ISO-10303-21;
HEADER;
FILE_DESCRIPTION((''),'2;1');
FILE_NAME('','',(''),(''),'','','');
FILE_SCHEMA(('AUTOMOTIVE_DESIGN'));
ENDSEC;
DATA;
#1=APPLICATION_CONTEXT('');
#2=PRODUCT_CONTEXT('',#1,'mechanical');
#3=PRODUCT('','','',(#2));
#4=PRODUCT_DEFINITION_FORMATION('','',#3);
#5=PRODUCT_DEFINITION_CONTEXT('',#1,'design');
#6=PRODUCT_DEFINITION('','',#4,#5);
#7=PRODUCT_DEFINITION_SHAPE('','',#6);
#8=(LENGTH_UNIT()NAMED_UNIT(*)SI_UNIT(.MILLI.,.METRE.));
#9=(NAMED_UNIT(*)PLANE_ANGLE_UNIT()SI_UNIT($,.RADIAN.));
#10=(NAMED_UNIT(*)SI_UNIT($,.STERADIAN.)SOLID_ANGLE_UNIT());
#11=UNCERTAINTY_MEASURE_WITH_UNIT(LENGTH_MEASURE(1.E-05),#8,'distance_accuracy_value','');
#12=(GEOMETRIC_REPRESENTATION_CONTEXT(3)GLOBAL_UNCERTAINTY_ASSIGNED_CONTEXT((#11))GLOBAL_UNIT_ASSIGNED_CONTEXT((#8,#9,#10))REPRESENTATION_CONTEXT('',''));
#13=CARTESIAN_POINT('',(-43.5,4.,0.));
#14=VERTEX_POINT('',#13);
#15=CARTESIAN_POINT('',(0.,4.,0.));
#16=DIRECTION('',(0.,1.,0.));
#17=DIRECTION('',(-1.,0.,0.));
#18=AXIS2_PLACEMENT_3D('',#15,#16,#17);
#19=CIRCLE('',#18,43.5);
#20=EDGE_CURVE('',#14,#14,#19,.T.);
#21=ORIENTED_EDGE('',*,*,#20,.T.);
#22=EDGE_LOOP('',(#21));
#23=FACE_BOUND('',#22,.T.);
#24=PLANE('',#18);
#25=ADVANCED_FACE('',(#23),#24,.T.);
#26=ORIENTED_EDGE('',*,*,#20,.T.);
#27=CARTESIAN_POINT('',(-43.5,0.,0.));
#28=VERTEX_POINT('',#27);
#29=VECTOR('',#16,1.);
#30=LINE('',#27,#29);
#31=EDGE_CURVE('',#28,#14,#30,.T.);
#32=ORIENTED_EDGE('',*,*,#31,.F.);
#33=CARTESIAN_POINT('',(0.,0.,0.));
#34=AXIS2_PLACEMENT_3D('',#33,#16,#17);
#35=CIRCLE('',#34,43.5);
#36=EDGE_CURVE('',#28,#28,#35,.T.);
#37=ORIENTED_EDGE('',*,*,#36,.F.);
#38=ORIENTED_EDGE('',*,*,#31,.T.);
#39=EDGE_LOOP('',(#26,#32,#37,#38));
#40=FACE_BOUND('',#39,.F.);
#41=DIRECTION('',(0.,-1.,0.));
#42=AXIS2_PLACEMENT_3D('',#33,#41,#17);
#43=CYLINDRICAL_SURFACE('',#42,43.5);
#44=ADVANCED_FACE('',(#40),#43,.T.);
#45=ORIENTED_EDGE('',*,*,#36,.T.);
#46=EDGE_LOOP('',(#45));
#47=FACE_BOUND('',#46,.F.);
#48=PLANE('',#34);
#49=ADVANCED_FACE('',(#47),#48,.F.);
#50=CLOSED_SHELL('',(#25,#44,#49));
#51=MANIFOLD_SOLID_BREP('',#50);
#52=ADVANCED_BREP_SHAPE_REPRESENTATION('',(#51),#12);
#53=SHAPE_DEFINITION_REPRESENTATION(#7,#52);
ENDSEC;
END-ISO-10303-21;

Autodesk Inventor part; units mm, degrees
ref_plane "YZ Plane" through (0, 0, 0) normal (1, 0, 0) x (0, 1, 0)
ref_plane "XZ Plane" through (0, 0, 0) normal (0, 1, 0) x (-1, 0, 0)
ref_plane "XY Plane" through (0, 0, 0) normal (0, 0, 1) x (1, 0, 0)
sketch "Sketch1" plane through (0, 0, 0) normal (0, 1, 0) x (-1, 0, 0)
  circle A0 centre (0, 0) radius 43.5
  dimension "d0" = 87
extrude "Extrusion1" add sketch "Sketch1" along normal blind 4
properties part number "Rotating Top"
